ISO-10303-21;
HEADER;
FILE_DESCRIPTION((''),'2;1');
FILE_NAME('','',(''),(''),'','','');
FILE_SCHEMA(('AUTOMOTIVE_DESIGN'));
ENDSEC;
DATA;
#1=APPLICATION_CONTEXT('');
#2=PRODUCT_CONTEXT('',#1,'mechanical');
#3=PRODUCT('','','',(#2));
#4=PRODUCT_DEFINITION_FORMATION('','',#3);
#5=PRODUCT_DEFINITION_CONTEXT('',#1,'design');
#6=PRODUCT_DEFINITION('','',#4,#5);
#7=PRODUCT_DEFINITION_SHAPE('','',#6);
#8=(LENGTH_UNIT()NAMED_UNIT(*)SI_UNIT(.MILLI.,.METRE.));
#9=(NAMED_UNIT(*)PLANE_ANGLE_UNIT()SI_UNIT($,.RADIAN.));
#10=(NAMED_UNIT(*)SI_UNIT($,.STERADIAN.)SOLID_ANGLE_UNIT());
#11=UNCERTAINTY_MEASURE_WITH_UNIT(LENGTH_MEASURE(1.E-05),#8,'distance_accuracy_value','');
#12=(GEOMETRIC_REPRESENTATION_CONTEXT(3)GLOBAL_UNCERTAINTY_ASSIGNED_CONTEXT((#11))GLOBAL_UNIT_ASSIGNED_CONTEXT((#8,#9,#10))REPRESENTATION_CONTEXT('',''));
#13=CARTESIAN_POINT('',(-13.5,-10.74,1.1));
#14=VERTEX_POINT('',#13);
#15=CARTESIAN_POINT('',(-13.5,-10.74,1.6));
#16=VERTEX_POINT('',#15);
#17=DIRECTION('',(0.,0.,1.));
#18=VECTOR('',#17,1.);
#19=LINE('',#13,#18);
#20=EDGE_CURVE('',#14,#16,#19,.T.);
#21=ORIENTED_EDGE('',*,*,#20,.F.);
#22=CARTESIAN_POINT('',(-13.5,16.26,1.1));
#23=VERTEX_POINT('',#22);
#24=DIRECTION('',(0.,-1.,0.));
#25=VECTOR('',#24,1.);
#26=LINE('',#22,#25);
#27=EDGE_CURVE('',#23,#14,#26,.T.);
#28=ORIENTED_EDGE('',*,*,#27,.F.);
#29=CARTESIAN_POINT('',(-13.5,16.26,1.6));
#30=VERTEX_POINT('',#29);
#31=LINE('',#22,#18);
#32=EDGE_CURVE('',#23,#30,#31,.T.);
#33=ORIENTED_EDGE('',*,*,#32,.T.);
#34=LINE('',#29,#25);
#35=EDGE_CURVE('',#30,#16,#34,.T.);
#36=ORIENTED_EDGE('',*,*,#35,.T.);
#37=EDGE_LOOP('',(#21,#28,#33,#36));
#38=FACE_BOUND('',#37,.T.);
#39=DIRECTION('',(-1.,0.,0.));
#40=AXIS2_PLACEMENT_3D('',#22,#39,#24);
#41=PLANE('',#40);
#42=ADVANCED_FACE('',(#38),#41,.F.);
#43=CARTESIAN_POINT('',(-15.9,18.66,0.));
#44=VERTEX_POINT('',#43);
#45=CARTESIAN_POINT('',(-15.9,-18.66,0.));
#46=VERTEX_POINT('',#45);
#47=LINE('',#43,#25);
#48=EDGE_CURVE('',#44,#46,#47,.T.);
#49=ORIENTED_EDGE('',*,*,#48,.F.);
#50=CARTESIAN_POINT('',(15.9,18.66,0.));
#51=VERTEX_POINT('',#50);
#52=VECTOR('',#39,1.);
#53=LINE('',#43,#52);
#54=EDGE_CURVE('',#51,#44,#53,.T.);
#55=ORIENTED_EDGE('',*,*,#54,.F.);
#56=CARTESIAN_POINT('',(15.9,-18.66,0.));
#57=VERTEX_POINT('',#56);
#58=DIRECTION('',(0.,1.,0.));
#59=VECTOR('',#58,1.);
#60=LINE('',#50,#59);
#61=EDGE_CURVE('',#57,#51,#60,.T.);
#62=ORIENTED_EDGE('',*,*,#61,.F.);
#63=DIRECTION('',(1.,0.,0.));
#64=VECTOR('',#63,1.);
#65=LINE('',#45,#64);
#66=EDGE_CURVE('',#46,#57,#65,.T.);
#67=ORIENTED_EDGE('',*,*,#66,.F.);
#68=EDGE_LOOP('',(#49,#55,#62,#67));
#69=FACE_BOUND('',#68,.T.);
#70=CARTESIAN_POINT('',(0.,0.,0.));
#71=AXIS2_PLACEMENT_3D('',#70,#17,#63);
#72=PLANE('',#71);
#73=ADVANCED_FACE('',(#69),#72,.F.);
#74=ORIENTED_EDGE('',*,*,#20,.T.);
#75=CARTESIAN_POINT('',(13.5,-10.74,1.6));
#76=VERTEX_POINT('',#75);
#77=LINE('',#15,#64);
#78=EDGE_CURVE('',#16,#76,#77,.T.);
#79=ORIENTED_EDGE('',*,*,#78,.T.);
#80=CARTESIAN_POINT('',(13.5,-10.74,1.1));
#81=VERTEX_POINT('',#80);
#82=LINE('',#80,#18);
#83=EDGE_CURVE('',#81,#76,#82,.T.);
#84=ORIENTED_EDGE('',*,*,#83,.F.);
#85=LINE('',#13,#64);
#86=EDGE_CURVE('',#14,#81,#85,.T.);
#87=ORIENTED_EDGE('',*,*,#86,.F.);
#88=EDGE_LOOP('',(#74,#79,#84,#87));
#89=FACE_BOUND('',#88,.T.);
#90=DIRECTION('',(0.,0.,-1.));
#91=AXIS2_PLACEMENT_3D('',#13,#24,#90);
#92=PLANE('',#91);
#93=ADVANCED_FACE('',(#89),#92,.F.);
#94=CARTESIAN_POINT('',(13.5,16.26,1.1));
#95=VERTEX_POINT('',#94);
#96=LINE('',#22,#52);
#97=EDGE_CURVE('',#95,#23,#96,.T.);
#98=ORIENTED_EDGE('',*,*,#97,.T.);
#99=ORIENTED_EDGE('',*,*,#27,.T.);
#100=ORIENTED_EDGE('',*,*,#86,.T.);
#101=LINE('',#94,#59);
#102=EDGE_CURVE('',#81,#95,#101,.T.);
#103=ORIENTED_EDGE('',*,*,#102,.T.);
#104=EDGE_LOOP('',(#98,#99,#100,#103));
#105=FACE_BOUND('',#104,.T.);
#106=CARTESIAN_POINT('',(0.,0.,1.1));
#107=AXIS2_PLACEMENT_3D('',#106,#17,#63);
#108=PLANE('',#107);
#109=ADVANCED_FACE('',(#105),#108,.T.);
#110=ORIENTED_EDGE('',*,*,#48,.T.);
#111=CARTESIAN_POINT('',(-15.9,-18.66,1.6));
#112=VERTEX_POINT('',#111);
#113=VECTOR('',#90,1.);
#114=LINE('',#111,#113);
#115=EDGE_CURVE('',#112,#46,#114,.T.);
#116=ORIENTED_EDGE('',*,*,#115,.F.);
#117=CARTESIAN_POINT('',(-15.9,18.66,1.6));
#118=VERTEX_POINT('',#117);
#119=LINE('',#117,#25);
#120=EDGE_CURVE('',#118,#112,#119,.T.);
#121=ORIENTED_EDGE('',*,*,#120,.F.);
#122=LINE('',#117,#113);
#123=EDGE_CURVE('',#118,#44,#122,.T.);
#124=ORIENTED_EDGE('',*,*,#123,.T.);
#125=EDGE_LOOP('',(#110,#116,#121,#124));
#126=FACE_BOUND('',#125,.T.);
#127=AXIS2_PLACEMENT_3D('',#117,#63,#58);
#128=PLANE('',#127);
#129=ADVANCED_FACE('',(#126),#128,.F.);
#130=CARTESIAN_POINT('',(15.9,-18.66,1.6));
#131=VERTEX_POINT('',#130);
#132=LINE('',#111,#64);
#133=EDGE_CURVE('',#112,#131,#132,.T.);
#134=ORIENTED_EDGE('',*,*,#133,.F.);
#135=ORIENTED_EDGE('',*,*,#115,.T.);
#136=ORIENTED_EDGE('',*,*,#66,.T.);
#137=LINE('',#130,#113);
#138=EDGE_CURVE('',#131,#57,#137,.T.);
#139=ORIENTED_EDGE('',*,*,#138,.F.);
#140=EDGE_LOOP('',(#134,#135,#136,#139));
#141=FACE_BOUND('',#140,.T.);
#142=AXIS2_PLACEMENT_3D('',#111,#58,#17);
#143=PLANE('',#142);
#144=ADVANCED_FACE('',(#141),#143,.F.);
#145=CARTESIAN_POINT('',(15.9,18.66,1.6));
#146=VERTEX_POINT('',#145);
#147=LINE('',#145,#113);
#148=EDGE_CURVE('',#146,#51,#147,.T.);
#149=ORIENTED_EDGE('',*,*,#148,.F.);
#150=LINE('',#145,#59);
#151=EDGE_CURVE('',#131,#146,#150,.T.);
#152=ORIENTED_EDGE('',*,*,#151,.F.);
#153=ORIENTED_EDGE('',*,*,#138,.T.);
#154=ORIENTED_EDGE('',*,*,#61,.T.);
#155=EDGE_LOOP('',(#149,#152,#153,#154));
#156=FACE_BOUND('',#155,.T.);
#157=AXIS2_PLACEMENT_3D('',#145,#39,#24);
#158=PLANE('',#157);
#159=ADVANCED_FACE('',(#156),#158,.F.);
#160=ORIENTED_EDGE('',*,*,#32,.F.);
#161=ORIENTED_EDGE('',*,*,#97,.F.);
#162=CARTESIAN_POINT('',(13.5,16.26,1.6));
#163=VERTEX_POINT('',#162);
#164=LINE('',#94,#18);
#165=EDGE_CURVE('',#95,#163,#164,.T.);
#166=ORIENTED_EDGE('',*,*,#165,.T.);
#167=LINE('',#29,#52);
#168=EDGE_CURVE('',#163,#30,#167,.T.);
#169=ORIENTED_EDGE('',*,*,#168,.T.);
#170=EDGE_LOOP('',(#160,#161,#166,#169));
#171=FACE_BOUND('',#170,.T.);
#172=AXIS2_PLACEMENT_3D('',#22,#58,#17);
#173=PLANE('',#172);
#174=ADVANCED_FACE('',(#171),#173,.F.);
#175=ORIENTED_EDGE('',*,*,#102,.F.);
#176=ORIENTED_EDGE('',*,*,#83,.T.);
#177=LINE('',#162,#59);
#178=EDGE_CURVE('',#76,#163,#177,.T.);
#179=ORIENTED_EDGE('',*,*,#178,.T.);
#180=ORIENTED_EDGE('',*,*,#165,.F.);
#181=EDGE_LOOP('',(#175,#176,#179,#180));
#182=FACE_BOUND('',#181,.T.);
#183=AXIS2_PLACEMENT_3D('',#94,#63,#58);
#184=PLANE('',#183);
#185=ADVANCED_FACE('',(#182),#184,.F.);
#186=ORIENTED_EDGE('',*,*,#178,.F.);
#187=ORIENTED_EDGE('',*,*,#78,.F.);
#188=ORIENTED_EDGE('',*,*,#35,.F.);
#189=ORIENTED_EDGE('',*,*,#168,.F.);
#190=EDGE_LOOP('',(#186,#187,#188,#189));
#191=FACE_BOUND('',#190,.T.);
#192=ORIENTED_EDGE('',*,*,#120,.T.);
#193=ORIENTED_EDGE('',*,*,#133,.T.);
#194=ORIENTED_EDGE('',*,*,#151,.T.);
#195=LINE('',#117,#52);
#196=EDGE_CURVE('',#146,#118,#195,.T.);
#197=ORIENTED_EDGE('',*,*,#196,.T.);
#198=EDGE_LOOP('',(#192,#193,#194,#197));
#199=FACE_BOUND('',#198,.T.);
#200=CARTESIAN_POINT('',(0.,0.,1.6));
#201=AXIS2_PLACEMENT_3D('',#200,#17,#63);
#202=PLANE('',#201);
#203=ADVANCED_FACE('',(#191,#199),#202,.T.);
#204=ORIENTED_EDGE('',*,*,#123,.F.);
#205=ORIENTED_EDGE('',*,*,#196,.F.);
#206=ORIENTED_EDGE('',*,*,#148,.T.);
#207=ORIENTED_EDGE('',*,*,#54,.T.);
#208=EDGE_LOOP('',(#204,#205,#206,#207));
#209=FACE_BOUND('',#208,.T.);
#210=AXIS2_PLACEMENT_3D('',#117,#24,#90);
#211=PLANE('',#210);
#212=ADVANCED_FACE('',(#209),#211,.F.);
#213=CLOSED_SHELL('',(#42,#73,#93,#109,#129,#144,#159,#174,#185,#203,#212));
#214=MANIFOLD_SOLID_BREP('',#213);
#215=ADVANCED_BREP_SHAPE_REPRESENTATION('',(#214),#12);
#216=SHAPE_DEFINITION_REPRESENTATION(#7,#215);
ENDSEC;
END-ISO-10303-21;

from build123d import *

# Parameters (mm, degrees)
SKETCH_1_W          = 31.8
SKETCH_1_H          = 37.32
EXTRUDE_1_DEPTH     = 1.6
SKETCH_2_W          = 27
SKETCH_2_H          = 27
CUT_EXTRUDE_1_DEPTH = 0.5


with BuildPart() as part:
    # 草图1 → 凸台-拉伸1 (new body)
    with BuildSketch(Plane.XY):
        Rectangle(SKETCH_1_W, SKETCH_1_H)
    extrude(amount=EXTRUDE_1_DEPTH)

    # 草图2 → 切除-拉伸1 (cut)
    with BuildSketch(Plane.XY.offset(1.6)):
        with Locations((0, 2.76)):
            Rectangle(SKETCH_2_W, SKETCH_2_H)
    extrude(amount=-CUT_EXTRUDE_1_DEPTH, mode=Mode.SUBTRACT)


solid = part.part
